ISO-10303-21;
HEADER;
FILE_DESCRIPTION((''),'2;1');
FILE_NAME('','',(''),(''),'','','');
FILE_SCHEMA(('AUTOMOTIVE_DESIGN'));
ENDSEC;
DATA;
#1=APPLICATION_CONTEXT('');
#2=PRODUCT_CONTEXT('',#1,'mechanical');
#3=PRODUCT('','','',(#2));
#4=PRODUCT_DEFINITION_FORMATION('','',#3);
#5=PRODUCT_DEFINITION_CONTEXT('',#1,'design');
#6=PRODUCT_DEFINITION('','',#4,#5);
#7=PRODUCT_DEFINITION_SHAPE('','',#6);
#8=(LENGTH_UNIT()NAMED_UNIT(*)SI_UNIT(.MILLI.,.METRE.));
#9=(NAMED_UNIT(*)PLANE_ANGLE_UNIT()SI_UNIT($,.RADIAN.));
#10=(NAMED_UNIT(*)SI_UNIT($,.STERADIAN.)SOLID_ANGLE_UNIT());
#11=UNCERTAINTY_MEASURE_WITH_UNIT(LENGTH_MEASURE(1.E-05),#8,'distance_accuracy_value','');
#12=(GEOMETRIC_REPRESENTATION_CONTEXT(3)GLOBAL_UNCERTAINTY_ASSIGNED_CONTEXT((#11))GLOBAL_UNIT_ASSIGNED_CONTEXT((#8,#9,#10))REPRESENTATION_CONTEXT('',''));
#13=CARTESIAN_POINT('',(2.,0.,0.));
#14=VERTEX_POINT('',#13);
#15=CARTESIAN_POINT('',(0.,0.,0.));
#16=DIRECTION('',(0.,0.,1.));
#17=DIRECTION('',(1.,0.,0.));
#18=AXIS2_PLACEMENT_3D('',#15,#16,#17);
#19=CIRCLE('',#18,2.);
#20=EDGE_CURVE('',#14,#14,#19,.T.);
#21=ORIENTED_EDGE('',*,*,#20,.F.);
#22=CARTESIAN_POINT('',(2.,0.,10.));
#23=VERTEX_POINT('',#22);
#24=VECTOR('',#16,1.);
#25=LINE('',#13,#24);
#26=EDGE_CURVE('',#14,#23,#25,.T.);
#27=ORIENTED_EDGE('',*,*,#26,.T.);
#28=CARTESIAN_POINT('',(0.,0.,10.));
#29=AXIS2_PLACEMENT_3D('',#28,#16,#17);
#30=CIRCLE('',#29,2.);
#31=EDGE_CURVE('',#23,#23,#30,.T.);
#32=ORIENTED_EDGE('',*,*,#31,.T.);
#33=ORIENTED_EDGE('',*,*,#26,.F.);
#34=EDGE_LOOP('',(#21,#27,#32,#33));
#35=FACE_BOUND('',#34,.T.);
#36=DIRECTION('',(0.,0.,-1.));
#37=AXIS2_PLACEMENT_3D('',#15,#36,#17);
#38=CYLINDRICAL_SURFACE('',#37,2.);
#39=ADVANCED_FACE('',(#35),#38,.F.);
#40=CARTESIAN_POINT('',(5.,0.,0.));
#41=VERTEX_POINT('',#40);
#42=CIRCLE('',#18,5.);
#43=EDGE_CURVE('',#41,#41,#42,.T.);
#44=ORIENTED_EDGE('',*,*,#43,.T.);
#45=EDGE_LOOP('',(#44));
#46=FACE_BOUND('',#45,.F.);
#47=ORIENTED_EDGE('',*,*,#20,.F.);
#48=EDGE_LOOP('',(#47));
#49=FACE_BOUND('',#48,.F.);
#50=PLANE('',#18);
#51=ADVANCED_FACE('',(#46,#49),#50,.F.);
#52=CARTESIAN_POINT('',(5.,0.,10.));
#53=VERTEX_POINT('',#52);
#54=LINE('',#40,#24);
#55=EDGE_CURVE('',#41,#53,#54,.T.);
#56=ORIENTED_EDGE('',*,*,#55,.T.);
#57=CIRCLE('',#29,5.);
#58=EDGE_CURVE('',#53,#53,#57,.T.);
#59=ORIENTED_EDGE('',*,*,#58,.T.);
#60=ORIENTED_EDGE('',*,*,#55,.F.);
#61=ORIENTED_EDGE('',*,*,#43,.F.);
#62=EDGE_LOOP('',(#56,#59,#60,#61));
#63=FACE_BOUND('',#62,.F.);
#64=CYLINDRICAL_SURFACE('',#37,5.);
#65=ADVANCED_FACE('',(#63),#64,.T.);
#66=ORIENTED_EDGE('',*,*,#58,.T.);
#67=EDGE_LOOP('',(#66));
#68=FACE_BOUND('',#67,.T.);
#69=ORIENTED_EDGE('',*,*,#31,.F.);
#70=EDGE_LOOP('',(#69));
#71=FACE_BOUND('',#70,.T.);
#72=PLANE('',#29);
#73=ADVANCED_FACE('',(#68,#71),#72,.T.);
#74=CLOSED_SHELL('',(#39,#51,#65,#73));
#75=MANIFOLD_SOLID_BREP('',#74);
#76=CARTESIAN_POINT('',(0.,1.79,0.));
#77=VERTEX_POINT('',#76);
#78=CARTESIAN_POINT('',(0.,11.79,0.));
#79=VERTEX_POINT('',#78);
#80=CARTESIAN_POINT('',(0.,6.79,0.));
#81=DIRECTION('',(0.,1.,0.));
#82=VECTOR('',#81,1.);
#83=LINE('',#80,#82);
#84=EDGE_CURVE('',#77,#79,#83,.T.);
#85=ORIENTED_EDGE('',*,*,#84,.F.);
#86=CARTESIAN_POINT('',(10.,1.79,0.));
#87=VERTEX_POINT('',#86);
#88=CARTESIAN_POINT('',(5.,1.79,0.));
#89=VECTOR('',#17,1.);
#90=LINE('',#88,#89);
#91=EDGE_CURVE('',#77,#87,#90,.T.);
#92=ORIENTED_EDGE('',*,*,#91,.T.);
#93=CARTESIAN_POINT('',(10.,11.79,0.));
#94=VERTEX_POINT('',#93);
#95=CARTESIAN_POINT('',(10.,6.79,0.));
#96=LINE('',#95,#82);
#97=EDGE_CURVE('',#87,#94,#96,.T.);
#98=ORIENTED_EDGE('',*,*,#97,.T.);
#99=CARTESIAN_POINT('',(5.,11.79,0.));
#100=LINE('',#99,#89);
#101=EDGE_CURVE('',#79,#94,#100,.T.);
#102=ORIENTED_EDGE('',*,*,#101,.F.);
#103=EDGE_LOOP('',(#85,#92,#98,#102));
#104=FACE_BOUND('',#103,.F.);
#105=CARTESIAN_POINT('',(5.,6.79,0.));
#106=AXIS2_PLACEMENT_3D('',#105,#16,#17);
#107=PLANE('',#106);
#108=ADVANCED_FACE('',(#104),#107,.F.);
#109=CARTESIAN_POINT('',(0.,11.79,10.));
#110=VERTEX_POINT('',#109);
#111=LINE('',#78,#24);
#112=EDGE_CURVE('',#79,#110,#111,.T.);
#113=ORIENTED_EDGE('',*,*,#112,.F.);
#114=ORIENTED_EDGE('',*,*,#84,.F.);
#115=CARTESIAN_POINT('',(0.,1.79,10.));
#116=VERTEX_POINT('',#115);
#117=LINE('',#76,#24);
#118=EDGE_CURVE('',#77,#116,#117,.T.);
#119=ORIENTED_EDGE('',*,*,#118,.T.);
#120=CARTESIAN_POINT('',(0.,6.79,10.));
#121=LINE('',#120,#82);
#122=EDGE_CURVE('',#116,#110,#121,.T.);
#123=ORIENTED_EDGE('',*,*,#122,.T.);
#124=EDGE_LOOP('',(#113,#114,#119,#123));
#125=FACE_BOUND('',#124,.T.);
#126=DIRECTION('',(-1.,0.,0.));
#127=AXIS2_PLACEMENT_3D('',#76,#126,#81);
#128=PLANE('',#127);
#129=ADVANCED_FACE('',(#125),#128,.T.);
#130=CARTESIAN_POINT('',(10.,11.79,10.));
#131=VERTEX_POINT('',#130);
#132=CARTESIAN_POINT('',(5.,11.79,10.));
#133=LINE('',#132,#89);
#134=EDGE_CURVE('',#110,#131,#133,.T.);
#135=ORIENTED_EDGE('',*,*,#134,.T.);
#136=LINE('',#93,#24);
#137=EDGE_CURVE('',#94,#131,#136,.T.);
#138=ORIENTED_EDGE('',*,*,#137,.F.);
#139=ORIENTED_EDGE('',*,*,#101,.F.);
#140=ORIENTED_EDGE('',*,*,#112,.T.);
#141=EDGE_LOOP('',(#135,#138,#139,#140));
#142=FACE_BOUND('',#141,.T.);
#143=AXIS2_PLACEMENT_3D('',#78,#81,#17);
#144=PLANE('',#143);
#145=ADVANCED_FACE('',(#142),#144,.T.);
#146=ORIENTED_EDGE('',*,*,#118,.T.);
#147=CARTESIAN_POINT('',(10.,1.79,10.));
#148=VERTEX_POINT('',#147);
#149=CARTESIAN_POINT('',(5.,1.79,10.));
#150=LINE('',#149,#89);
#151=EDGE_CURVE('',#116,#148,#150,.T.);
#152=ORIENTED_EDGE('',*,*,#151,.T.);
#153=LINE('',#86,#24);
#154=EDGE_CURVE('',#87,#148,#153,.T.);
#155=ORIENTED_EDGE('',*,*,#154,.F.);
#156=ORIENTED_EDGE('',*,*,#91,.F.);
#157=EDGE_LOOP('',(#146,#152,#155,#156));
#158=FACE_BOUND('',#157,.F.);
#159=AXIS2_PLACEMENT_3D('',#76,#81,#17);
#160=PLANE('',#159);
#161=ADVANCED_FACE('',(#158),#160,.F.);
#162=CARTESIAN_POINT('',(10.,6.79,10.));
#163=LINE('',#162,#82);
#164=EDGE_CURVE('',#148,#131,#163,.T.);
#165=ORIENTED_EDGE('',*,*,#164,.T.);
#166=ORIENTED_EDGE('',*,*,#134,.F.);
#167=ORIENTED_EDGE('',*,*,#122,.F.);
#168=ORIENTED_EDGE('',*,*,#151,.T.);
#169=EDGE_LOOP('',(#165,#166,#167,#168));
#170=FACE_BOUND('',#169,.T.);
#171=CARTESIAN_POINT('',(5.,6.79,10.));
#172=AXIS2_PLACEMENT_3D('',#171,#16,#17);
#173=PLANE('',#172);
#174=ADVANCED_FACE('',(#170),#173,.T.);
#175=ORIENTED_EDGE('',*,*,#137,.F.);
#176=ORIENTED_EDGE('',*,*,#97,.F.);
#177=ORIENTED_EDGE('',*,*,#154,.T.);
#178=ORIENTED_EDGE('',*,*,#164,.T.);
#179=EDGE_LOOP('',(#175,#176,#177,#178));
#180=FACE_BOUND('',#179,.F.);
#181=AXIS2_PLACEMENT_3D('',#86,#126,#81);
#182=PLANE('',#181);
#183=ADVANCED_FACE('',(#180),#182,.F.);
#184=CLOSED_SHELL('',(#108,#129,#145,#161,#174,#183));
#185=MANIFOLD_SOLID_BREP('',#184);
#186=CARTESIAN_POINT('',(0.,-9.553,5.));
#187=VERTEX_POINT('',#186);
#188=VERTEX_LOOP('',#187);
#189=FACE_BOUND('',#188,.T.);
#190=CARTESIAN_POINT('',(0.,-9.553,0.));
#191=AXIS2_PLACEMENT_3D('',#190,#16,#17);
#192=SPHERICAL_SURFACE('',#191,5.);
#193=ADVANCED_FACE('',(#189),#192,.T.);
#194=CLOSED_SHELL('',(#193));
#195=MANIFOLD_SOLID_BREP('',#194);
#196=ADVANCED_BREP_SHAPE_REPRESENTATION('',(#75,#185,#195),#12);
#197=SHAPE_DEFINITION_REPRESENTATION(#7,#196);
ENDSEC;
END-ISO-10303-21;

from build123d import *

# Parameters (mm, degrees)
BOX_W      = 10
BOX_H      = 10
BOX_DEPTH  = 10
TUBE_R     = 5
TUBE_R_2   = 2
TUBE_DEPTH = 10


with BuildPart() as cube:
    # Box → Box (new body)
    with BuildSketch(Plane(origin=(0, 1.79, 0), x_dir=(1, 0, 0), z_dir=(0, 0, 1))):
        with Locations((5, 5)):
            Rectangle(BOX_W, BOX_H)
    extrude(amount=BOX_DEPTH)


with BuildPart() as sphere:
    # Sphere → Sphere (revolve)
    with BuildSketch(Plane.XZ.offset(9.553)):
        with BuildLine():
            ThreePointArc((0, -5), (5, 0), (0, 5))
            Line((0, 5), (0, -5))
        make_face()
    revolve(axis=Axis((0, -9.553, 0), (0, 0, 1)))


with BuildPart() as tube:
    # Tube → Tube (new body)
    with BuildSketch(Plane.XY):
        Circle(TUBE_R)
        Circle(TUBE_R_2, mode=Mode.SUBTRACT)
    extrude(amount=TUBE_DEPTH)


solid = Compound([cube.part, sphere.part, tube.part])
